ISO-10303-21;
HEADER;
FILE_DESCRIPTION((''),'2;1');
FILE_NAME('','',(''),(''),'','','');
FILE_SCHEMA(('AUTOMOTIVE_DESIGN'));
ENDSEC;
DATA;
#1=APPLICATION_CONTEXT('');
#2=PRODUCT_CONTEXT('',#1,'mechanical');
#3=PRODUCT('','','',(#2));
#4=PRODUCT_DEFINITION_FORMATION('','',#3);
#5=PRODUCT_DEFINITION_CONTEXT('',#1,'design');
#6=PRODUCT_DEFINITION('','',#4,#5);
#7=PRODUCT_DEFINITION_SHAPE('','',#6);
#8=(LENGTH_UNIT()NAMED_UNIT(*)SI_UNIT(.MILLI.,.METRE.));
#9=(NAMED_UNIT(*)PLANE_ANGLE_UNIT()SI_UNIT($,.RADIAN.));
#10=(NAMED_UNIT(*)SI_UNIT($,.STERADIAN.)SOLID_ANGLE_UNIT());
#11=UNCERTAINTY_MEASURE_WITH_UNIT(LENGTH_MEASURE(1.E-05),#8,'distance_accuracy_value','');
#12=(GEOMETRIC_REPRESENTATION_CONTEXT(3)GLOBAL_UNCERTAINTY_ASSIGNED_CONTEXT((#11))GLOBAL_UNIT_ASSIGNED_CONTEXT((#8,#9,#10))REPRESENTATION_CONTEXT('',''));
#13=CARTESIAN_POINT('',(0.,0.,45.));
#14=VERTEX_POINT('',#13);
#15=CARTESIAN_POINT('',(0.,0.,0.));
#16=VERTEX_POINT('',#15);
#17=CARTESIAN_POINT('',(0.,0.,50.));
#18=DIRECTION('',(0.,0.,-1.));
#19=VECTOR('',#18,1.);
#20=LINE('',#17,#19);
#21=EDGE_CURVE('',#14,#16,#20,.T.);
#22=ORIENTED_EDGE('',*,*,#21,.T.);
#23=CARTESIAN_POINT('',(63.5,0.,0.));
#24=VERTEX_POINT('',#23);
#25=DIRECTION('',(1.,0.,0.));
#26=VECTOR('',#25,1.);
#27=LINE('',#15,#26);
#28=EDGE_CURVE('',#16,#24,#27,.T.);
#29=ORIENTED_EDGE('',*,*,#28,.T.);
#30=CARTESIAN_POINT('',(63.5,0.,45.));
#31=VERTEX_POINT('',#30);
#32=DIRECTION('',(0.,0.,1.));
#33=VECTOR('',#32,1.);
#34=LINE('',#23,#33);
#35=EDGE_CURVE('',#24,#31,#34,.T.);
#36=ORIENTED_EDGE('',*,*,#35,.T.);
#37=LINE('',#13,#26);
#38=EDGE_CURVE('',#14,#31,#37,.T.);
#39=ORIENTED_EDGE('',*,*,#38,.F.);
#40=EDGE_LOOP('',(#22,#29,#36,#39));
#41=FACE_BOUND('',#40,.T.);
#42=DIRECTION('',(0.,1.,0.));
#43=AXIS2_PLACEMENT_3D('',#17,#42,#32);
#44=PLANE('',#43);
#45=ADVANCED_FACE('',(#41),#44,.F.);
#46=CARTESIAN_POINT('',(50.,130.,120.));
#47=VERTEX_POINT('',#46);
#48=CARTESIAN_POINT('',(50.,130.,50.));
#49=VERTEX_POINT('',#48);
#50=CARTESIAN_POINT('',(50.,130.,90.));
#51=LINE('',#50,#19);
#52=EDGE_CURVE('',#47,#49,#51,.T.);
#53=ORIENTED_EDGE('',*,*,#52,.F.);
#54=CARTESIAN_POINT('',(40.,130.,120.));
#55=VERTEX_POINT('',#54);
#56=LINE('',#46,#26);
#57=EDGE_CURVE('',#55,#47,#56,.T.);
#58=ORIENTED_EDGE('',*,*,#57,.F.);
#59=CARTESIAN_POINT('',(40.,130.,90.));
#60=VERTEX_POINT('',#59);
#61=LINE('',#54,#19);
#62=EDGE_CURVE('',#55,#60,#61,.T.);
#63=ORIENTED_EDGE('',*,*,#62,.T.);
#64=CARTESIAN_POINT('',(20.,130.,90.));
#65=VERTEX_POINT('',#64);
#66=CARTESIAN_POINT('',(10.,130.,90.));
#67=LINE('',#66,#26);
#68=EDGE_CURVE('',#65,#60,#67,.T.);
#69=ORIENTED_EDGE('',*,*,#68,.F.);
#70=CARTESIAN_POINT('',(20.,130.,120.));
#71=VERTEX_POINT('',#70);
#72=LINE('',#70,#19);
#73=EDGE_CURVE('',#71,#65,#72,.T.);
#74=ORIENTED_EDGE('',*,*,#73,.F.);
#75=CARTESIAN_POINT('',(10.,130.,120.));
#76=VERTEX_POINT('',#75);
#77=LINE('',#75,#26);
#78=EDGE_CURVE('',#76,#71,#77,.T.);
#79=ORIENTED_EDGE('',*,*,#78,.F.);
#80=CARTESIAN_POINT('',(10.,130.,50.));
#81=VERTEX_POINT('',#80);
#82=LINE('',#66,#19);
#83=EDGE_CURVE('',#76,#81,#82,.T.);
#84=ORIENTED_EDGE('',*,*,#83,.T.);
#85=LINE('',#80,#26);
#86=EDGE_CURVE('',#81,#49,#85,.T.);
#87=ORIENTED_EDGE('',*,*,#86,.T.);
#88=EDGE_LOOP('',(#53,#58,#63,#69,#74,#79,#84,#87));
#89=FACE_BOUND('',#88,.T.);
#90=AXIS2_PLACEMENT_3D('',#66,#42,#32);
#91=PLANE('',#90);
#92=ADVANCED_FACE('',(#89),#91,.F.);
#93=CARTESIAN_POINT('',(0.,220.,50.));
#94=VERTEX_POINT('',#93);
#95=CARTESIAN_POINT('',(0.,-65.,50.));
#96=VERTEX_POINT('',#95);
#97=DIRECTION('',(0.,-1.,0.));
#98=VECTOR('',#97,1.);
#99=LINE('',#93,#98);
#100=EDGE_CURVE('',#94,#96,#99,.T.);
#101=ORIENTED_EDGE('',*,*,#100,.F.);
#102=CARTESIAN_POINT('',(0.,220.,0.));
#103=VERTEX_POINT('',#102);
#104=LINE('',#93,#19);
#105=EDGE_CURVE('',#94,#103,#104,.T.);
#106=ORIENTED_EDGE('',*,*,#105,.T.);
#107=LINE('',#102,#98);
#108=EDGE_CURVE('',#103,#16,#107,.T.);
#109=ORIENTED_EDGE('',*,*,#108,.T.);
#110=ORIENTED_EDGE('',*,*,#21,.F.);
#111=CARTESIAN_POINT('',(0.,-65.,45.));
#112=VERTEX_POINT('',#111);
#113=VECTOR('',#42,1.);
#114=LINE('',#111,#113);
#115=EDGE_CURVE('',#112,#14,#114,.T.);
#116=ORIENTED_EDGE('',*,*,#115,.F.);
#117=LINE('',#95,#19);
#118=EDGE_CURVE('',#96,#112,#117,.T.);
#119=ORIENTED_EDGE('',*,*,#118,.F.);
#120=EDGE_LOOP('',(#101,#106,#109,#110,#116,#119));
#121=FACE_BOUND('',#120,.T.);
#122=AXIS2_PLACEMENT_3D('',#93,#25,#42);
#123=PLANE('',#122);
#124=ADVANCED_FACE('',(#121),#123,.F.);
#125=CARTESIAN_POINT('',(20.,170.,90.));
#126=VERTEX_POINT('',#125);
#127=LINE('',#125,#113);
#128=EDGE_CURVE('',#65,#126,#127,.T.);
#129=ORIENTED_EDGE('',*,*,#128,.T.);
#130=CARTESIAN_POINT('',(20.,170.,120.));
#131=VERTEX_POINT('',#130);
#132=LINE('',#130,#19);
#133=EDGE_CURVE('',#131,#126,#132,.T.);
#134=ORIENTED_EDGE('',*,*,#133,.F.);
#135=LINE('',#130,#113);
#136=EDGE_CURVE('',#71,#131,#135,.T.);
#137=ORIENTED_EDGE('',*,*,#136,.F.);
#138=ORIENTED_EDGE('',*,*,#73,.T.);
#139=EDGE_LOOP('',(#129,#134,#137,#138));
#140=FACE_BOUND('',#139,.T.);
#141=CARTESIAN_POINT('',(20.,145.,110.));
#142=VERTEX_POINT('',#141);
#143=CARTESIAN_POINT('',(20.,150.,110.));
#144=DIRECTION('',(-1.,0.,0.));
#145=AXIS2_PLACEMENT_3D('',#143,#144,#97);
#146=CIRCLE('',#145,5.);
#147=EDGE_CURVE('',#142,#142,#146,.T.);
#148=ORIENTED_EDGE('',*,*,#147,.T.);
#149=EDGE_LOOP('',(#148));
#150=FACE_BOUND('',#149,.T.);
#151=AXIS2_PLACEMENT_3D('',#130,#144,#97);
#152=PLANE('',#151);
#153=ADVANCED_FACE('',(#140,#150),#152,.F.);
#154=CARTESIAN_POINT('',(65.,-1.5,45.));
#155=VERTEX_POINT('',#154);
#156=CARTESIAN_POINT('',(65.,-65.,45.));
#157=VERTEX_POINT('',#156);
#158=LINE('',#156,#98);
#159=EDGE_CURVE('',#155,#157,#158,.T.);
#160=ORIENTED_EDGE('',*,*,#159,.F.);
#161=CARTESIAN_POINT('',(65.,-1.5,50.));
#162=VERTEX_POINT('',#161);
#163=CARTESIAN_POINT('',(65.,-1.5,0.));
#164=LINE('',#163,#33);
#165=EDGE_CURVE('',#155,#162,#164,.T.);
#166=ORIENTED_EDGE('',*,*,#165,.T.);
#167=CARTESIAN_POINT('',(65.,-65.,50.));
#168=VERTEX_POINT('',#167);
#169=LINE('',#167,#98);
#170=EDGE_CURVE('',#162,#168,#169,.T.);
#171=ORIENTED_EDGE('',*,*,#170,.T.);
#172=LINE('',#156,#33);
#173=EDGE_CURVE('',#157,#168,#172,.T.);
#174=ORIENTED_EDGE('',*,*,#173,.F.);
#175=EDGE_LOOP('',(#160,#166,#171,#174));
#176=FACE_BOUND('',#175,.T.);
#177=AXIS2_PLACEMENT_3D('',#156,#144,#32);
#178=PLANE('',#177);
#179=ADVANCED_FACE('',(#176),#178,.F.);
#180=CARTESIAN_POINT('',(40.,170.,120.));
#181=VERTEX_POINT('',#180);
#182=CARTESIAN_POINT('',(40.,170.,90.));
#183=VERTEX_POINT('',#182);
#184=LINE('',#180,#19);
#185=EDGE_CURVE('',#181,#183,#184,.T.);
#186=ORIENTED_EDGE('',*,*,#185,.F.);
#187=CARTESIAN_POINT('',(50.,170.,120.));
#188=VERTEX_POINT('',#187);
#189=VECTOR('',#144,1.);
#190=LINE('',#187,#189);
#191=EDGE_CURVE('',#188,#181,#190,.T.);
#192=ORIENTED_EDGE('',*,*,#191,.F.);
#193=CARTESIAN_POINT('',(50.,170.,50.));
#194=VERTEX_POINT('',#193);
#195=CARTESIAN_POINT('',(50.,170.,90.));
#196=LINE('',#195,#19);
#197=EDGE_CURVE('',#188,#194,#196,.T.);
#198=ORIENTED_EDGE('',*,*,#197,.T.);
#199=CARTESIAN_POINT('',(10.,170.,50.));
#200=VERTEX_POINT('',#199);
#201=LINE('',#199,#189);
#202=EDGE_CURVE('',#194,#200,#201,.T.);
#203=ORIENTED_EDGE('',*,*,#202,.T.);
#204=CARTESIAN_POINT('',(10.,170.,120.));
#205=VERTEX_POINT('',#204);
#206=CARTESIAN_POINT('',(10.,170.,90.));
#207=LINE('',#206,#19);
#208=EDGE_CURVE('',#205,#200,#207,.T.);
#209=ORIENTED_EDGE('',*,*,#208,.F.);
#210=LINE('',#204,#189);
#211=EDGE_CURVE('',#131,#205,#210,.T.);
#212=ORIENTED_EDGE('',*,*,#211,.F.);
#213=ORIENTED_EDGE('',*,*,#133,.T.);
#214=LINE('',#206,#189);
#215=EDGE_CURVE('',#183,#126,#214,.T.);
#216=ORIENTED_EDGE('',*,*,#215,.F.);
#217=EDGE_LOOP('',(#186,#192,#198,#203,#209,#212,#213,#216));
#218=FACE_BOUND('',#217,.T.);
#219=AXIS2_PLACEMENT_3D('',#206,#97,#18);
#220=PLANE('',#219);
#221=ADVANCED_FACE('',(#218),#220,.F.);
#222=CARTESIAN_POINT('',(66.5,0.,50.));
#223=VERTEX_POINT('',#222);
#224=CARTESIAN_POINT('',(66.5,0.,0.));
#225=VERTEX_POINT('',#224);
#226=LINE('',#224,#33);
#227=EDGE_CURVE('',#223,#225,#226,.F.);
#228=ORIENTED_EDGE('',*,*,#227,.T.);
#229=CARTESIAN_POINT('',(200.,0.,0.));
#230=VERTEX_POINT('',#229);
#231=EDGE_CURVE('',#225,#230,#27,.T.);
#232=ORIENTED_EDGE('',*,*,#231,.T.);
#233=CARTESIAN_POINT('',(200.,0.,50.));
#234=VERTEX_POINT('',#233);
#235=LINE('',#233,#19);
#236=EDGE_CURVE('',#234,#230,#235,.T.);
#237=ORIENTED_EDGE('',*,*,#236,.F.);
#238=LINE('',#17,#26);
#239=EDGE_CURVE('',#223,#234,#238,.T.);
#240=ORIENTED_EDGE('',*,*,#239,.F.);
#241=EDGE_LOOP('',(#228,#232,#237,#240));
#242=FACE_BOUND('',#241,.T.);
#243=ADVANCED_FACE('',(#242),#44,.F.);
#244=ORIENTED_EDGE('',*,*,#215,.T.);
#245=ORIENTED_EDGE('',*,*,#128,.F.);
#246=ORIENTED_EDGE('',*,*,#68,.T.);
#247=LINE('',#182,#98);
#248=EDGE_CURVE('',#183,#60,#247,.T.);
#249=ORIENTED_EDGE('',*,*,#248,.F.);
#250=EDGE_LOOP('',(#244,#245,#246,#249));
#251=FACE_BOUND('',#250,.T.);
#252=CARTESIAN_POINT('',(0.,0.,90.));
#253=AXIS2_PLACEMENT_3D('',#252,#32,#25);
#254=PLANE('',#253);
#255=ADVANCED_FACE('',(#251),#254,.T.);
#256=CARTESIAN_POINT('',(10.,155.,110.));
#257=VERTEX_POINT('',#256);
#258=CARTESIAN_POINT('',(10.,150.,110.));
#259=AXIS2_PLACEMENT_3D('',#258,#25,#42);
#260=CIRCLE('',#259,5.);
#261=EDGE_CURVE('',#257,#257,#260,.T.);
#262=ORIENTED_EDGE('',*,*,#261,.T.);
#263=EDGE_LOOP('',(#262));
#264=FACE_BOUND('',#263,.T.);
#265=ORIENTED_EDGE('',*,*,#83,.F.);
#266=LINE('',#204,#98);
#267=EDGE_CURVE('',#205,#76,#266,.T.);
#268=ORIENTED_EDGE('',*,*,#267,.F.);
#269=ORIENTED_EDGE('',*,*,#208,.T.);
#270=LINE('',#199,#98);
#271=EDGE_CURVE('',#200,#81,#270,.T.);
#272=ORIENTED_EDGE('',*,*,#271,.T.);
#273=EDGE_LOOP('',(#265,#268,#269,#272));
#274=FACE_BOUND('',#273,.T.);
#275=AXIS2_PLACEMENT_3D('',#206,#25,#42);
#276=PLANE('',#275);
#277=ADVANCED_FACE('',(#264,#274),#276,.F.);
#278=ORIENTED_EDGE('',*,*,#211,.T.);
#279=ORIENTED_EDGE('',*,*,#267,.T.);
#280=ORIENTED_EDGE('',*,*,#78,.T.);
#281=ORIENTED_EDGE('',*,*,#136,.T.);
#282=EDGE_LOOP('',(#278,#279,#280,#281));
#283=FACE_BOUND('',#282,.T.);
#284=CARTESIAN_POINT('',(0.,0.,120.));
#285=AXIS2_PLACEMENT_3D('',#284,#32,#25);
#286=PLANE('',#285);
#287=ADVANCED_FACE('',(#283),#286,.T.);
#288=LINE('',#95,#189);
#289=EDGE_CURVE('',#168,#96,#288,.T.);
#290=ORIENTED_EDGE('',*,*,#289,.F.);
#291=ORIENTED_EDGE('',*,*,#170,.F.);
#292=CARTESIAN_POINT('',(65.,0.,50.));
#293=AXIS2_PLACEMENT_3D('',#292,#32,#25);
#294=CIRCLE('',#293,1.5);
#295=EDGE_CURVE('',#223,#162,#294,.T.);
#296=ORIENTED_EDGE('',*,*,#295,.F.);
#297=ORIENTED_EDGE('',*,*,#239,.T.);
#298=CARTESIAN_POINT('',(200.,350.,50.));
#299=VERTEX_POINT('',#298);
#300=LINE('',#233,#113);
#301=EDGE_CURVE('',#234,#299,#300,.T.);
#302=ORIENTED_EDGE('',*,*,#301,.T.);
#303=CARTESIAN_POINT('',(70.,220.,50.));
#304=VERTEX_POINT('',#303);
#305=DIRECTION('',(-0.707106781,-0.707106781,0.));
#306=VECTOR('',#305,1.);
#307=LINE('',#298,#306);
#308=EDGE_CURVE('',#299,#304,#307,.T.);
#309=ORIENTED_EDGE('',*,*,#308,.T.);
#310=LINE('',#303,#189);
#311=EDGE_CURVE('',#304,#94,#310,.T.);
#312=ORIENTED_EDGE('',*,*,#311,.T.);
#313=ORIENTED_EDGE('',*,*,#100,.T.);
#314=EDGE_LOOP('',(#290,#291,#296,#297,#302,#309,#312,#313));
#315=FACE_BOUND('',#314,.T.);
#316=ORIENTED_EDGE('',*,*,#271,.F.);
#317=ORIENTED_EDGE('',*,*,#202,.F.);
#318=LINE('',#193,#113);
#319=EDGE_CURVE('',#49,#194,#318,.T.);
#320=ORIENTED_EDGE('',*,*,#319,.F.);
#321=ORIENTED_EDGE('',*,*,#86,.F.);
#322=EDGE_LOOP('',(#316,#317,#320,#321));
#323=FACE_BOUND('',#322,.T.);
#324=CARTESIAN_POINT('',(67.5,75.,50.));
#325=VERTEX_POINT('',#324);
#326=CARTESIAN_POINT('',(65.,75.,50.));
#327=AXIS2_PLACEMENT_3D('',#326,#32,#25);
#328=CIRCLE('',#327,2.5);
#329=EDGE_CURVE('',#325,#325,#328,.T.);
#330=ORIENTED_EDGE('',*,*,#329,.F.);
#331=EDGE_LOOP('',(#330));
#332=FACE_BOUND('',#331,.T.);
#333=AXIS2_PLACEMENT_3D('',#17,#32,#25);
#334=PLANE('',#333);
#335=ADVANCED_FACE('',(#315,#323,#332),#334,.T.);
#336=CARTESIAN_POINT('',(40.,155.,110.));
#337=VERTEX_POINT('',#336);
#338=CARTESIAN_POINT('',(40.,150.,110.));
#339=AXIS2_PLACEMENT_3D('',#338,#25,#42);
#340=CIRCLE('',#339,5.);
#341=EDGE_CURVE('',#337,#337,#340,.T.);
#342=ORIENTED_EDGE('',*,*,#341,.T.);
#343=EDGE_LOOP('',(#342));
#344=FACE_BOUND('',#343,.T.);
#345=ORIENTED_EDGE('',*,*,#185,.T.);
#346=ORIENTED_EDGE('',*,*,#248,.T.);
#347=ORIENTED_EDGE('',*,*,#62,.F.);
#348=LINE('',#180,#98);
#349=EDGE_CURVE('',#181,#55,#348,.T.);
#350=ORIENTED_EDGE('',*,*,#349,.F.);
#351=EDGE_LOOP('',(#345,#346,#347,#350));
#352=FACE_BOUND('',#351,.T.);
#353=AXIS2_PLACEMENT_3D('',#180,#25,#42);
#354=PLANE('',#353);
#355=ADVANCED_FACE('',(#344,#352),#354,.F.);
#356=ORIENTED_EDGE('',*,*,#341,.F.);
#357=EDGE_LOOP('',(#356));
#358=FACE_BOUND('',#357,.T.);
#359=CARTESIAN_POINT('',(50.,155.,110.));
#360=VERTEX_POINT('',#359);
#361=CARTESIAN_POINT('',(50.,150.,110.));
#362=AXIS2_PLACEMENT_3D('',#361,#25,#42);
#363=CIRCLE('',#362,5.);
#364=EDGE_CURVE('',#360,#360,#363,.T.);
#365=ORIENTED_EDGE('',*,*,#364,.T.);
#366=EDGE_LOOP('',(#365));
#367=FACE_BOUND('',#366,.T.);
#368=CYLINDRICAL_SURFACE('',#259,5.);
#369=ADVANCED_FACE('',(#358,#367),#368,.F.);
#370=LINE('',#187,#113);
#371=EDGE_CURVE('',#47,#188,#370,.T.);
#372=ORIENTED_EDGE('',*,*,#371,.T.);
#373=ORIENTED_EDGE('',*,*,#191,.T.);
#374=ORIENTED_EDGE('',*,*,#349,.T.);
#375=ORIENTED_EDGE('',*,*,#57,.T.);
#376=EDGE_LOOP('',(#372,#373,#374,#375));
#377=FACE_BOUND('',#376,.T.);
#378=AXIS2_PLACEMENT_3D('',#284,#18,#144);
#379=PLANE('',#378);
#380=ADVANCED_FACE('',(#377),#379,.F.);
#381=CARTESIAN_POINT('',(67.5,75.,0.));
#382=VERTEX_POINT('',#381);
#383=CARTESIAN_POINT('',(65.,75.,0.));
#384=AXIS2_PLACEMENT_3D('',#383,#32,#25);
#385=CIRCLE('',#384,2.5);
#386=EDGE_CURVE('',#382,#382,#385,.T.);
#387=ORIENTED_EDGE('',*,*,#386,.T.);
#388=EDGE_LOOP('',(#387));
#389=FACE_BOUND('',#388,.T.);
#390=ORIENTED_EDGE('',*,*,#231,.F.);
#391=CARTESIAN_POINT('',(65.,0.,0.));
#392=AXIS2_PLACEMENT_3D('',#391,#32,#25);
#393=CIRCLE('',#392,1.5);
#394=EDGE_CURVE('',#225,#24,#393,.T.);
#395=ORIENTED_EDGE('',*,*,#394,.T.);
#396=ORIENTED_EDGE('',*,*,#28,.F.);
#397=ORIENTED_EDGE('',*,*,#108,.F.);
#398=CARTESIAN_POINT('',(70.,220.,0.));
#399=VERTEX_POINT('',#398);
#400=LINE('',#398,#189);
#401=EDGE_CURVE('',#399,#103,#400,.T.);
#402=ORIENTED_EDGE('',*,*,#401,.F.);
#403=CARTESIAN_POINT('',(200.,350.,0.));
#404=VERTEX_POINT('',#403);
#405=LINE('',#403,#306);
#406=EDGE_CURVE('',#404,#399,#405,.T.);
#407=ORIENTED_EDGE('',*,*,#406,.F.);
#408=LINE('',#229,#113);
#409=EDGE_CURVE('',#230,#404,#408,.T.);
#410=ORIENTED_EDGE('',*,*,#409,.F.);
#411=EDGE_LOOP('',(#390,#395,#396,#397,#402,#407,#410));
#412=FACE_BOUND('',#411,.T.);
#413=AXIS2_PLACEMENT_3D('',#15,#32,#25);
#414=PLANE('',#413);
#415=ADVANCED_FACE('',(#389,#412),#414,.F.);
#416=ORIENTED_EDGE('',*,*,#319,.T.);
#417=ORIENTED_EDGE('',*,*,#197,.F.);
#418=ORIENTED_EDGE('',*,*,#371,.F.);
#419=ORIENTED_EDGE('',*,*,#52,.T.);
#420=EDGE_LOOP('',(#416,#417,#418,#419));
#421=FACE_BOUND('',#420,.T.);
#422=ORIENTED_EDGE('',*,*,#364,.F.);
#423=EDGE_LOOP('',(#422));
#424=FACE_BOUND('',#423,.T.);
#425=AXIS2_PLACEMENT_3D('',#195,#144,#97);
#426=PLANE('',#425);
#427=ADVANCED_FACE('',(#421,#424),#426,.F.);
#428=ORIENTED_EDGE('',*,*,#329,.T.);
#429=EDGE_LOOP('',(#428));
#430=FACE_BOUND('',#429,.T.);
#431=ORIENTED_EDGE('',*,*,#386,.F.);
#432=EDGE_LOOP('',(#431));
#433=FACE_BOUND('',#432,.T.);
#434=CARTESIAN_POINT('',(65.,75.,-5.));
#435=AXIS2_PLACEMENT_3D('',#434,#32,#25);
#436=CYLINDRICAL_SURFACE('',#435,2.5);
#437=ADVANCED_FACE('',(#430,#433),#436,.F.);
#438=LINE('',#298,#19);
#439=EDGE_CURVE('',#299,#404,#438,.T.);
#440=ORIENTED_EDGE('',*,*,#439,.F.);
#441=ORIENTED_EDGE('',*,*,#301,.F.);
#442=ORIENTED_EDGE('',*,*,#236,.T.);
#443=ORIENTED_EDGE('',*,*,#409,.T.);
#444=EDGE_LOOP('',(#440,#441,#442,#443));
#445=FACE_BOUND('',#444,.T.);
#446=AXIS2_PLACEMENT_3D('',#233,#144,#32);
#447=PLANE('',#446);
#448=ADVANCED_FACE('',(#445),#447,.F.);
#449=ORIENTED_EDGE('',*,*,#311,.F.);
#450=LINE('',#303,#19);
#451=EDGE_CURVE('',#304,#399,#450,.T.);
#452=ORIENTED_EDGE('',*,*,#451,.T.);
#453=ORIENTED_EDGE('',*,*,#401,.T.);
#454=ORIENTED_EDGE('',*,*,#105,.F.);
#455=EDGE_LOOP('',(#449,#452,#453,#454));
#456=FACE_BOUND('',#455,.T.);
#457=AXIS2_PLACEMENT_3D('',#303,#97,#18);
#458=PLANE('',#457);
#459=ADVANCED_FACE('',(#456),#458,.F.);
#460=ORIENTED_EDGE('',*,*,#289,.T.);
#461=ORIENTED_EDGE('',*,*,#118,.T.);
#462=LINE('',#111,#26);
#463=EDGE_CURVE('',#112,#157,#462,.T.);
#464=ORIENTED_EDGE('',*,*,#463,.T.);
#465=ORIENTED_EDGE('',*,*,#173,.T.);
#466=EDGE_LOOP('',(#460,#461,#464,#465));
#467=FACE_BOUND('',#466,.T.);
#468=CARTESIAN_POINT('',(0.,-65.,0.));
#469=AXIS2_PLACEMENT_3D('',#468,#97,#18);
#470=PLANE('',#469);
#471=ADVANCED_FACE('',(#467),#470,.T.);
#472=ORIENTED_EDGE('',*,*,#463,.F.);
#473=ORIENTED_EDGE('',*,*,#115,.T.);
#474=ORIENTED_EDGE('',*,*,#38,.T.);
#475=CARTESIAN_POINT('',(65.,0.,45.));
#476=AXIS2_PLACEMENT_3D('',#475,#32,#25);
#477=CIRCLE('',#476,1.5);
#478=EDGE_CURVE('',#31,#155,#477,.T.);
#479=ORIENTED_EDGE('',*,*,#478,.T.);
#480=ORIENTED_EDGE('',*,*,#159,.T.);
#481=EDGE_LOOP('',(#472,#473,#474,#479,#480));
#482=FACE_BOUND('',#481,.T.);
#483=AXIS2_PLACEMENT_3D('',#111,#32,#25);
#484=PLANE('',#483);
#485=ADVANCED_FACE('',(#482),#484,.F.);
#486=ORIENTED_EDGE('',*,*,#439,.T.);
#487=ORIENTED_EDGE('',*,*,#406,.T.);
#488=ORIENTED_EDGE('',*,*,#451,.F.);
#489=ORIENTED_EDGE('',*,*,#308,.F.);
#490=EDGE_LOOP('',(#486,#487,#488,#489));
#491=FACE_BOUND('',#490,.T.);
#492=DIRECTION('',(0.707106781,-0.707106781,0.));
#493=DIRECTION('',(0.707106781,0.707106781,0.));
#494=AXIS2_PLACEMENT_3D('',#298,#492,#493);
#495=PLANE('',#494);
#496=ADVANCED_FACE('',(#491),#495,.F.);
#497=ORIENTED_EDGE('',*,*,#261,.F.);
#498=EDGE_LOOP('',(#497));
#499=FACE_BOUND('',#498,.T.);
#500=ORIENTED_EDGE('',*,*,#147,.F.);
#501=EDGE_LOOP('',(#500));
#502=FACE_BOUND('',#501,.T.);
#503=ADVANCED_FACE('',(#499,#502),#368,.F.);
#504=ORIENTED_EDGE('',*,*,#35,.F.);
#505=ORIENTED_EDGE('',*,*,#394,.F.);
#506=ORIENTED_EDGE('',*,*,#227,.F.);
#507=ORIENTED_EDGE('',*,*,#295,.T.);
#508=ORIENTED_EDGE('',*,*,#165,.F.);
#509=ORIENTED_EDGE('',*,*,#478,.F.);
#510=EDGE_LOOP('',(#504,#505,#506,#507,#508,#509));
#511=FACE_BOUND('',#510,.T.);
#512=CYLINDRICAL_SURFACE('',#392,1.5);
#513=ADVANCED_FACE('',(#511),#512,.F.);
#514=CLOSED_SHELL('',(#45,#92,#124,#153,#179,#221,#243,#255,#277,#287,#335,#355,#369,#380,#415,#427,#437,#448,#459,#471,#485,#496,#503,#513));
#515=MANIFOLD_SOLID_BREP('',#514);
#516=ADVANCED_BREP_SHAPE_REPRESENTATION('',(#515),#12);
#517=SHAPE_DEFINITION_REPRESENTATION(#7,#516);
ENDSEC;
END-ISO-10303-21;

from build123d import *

# Parameters (mm, degrees)
P_IDAT_VYSUNUT_M1_DEPTH  = 50
SKICA2_W                 = 130
SKICA2_H                 = 5
P_IDAT_VYSUNUT_M2_DEPTH  = 65
SKICA3_W                 = 65
SKICA3_H                 = 65
ODEBRAT_VYSUNUT_M1_DEPTH = 5
SKICA4_W                 = 40
SKICA4_H                 = 40
P_IDAT_VYSUNUT_M3_DEPTH  = 40
SKICA5_W                 = 10
SKICA5_H                 = 40
P_IDAT_VYSUNUT_M4_DEPTH  = 30
SKICA6_R                 = 5
ODEBRAT_VYSUNUT_M2_DEPTH = 40
SKICA7_R                 = 2.5
ODEBRAT_VYSUNUT_M3_DEPTH = 55
SKICA8_R                 = 1.5
ODEBRAT_VYSUNUT_M4_DEPTH = 50


with BuildPart() as part:
    # Skica1 → Přidat vysunutím1 (new body)
    with BuildSketch(Plane.XY):
        Polygon((0, 0), (200, 0), (200, 350), (70, 220), (0, 220), align=None)
    extrude(amount=P_IDAT_VYSUNUT_M1_DEPTH)

    # Skica2 → Přidat vysunutím2 (add)
    with BuildSketch(Plane.XZ):
        with Locations((65, 47.5)):
            Rectangle(SKICA2_W, SKICA2_H)
    extrude(amount=P_IDAT_VYSUNUT_M2_DEPTH)

    # Skica3 → Odebrat vysunutím1 (cut)
    with BuildSketch(Plane.XY.offset(50)):
        with Locations((97.5, -32.5)):
            Rectangle(SKICA3_W, SKICA3_H)
    extrude(amount=-ODEBRAT_VYSUNUT_M1_DEPTH, mode=Mode.SUBTRACT)

    # Skica4 → Přidat vysunutím3 (add)
    with BuildSketch(Plane.XY.offset(50)):
        with Locations((30, 150)):
            Rectangle(SKICA4_W, SKICA4_H)
    extrude(amount=P_IDAT_VYSUNUT_M3_DEPTH)

    # Skica5 → Přidat vysunutím4 (add)
    with BuildSketch(Plane.XY.offset(90)):
        with Locations((15, 150)):
            Rectangle(SKICA5_W, SKICA5_H)
        with Locations((45, 150)):
            Rectangle(SKICA5_W, SKICA5_H)
    extrude(amount=P_IDAT_VYSUNUT_M4_DEPTH)

    # Skica6 → Odebrat vysunutím2 (cut)
    with BuildSketch(Plane(origin=(50, 0, 0), x_dir=(0, 0, -1), z_dir=(1, 0, 0))):
        with Locations(Location((-110, 150, 0), (0, 0, 90))):
            Circle(SKICA6_R)
    extrude(amount=-ODEBRAT_VYSUNUT_M2_DEPTH, mode=Mode.SUBTRACT)

    # Skica7 → Odebrat vysunutím3 (cut)
    with BuildSketch(Plane.XY.offset(50)):
        with Locations((65, 75)):
            Circle(SKICA7_R)
    extrude(amount=-ODEBRAT_VYSUNUT_M3_DEPTH, mode=Mode.SUBTRACT)

    # Skica8 → Odebrat vysunutím4 (cut)
    with BuildSketch(Plane.XY.offset(50)):
        with Locations((65, 0)):
            Circle(SKICA8_R)
    extrude(amount=-ODEBRAT_VYSUNUT_M4_DEPTH, mode=Mode.SUBTRACT)


solid = part.part
